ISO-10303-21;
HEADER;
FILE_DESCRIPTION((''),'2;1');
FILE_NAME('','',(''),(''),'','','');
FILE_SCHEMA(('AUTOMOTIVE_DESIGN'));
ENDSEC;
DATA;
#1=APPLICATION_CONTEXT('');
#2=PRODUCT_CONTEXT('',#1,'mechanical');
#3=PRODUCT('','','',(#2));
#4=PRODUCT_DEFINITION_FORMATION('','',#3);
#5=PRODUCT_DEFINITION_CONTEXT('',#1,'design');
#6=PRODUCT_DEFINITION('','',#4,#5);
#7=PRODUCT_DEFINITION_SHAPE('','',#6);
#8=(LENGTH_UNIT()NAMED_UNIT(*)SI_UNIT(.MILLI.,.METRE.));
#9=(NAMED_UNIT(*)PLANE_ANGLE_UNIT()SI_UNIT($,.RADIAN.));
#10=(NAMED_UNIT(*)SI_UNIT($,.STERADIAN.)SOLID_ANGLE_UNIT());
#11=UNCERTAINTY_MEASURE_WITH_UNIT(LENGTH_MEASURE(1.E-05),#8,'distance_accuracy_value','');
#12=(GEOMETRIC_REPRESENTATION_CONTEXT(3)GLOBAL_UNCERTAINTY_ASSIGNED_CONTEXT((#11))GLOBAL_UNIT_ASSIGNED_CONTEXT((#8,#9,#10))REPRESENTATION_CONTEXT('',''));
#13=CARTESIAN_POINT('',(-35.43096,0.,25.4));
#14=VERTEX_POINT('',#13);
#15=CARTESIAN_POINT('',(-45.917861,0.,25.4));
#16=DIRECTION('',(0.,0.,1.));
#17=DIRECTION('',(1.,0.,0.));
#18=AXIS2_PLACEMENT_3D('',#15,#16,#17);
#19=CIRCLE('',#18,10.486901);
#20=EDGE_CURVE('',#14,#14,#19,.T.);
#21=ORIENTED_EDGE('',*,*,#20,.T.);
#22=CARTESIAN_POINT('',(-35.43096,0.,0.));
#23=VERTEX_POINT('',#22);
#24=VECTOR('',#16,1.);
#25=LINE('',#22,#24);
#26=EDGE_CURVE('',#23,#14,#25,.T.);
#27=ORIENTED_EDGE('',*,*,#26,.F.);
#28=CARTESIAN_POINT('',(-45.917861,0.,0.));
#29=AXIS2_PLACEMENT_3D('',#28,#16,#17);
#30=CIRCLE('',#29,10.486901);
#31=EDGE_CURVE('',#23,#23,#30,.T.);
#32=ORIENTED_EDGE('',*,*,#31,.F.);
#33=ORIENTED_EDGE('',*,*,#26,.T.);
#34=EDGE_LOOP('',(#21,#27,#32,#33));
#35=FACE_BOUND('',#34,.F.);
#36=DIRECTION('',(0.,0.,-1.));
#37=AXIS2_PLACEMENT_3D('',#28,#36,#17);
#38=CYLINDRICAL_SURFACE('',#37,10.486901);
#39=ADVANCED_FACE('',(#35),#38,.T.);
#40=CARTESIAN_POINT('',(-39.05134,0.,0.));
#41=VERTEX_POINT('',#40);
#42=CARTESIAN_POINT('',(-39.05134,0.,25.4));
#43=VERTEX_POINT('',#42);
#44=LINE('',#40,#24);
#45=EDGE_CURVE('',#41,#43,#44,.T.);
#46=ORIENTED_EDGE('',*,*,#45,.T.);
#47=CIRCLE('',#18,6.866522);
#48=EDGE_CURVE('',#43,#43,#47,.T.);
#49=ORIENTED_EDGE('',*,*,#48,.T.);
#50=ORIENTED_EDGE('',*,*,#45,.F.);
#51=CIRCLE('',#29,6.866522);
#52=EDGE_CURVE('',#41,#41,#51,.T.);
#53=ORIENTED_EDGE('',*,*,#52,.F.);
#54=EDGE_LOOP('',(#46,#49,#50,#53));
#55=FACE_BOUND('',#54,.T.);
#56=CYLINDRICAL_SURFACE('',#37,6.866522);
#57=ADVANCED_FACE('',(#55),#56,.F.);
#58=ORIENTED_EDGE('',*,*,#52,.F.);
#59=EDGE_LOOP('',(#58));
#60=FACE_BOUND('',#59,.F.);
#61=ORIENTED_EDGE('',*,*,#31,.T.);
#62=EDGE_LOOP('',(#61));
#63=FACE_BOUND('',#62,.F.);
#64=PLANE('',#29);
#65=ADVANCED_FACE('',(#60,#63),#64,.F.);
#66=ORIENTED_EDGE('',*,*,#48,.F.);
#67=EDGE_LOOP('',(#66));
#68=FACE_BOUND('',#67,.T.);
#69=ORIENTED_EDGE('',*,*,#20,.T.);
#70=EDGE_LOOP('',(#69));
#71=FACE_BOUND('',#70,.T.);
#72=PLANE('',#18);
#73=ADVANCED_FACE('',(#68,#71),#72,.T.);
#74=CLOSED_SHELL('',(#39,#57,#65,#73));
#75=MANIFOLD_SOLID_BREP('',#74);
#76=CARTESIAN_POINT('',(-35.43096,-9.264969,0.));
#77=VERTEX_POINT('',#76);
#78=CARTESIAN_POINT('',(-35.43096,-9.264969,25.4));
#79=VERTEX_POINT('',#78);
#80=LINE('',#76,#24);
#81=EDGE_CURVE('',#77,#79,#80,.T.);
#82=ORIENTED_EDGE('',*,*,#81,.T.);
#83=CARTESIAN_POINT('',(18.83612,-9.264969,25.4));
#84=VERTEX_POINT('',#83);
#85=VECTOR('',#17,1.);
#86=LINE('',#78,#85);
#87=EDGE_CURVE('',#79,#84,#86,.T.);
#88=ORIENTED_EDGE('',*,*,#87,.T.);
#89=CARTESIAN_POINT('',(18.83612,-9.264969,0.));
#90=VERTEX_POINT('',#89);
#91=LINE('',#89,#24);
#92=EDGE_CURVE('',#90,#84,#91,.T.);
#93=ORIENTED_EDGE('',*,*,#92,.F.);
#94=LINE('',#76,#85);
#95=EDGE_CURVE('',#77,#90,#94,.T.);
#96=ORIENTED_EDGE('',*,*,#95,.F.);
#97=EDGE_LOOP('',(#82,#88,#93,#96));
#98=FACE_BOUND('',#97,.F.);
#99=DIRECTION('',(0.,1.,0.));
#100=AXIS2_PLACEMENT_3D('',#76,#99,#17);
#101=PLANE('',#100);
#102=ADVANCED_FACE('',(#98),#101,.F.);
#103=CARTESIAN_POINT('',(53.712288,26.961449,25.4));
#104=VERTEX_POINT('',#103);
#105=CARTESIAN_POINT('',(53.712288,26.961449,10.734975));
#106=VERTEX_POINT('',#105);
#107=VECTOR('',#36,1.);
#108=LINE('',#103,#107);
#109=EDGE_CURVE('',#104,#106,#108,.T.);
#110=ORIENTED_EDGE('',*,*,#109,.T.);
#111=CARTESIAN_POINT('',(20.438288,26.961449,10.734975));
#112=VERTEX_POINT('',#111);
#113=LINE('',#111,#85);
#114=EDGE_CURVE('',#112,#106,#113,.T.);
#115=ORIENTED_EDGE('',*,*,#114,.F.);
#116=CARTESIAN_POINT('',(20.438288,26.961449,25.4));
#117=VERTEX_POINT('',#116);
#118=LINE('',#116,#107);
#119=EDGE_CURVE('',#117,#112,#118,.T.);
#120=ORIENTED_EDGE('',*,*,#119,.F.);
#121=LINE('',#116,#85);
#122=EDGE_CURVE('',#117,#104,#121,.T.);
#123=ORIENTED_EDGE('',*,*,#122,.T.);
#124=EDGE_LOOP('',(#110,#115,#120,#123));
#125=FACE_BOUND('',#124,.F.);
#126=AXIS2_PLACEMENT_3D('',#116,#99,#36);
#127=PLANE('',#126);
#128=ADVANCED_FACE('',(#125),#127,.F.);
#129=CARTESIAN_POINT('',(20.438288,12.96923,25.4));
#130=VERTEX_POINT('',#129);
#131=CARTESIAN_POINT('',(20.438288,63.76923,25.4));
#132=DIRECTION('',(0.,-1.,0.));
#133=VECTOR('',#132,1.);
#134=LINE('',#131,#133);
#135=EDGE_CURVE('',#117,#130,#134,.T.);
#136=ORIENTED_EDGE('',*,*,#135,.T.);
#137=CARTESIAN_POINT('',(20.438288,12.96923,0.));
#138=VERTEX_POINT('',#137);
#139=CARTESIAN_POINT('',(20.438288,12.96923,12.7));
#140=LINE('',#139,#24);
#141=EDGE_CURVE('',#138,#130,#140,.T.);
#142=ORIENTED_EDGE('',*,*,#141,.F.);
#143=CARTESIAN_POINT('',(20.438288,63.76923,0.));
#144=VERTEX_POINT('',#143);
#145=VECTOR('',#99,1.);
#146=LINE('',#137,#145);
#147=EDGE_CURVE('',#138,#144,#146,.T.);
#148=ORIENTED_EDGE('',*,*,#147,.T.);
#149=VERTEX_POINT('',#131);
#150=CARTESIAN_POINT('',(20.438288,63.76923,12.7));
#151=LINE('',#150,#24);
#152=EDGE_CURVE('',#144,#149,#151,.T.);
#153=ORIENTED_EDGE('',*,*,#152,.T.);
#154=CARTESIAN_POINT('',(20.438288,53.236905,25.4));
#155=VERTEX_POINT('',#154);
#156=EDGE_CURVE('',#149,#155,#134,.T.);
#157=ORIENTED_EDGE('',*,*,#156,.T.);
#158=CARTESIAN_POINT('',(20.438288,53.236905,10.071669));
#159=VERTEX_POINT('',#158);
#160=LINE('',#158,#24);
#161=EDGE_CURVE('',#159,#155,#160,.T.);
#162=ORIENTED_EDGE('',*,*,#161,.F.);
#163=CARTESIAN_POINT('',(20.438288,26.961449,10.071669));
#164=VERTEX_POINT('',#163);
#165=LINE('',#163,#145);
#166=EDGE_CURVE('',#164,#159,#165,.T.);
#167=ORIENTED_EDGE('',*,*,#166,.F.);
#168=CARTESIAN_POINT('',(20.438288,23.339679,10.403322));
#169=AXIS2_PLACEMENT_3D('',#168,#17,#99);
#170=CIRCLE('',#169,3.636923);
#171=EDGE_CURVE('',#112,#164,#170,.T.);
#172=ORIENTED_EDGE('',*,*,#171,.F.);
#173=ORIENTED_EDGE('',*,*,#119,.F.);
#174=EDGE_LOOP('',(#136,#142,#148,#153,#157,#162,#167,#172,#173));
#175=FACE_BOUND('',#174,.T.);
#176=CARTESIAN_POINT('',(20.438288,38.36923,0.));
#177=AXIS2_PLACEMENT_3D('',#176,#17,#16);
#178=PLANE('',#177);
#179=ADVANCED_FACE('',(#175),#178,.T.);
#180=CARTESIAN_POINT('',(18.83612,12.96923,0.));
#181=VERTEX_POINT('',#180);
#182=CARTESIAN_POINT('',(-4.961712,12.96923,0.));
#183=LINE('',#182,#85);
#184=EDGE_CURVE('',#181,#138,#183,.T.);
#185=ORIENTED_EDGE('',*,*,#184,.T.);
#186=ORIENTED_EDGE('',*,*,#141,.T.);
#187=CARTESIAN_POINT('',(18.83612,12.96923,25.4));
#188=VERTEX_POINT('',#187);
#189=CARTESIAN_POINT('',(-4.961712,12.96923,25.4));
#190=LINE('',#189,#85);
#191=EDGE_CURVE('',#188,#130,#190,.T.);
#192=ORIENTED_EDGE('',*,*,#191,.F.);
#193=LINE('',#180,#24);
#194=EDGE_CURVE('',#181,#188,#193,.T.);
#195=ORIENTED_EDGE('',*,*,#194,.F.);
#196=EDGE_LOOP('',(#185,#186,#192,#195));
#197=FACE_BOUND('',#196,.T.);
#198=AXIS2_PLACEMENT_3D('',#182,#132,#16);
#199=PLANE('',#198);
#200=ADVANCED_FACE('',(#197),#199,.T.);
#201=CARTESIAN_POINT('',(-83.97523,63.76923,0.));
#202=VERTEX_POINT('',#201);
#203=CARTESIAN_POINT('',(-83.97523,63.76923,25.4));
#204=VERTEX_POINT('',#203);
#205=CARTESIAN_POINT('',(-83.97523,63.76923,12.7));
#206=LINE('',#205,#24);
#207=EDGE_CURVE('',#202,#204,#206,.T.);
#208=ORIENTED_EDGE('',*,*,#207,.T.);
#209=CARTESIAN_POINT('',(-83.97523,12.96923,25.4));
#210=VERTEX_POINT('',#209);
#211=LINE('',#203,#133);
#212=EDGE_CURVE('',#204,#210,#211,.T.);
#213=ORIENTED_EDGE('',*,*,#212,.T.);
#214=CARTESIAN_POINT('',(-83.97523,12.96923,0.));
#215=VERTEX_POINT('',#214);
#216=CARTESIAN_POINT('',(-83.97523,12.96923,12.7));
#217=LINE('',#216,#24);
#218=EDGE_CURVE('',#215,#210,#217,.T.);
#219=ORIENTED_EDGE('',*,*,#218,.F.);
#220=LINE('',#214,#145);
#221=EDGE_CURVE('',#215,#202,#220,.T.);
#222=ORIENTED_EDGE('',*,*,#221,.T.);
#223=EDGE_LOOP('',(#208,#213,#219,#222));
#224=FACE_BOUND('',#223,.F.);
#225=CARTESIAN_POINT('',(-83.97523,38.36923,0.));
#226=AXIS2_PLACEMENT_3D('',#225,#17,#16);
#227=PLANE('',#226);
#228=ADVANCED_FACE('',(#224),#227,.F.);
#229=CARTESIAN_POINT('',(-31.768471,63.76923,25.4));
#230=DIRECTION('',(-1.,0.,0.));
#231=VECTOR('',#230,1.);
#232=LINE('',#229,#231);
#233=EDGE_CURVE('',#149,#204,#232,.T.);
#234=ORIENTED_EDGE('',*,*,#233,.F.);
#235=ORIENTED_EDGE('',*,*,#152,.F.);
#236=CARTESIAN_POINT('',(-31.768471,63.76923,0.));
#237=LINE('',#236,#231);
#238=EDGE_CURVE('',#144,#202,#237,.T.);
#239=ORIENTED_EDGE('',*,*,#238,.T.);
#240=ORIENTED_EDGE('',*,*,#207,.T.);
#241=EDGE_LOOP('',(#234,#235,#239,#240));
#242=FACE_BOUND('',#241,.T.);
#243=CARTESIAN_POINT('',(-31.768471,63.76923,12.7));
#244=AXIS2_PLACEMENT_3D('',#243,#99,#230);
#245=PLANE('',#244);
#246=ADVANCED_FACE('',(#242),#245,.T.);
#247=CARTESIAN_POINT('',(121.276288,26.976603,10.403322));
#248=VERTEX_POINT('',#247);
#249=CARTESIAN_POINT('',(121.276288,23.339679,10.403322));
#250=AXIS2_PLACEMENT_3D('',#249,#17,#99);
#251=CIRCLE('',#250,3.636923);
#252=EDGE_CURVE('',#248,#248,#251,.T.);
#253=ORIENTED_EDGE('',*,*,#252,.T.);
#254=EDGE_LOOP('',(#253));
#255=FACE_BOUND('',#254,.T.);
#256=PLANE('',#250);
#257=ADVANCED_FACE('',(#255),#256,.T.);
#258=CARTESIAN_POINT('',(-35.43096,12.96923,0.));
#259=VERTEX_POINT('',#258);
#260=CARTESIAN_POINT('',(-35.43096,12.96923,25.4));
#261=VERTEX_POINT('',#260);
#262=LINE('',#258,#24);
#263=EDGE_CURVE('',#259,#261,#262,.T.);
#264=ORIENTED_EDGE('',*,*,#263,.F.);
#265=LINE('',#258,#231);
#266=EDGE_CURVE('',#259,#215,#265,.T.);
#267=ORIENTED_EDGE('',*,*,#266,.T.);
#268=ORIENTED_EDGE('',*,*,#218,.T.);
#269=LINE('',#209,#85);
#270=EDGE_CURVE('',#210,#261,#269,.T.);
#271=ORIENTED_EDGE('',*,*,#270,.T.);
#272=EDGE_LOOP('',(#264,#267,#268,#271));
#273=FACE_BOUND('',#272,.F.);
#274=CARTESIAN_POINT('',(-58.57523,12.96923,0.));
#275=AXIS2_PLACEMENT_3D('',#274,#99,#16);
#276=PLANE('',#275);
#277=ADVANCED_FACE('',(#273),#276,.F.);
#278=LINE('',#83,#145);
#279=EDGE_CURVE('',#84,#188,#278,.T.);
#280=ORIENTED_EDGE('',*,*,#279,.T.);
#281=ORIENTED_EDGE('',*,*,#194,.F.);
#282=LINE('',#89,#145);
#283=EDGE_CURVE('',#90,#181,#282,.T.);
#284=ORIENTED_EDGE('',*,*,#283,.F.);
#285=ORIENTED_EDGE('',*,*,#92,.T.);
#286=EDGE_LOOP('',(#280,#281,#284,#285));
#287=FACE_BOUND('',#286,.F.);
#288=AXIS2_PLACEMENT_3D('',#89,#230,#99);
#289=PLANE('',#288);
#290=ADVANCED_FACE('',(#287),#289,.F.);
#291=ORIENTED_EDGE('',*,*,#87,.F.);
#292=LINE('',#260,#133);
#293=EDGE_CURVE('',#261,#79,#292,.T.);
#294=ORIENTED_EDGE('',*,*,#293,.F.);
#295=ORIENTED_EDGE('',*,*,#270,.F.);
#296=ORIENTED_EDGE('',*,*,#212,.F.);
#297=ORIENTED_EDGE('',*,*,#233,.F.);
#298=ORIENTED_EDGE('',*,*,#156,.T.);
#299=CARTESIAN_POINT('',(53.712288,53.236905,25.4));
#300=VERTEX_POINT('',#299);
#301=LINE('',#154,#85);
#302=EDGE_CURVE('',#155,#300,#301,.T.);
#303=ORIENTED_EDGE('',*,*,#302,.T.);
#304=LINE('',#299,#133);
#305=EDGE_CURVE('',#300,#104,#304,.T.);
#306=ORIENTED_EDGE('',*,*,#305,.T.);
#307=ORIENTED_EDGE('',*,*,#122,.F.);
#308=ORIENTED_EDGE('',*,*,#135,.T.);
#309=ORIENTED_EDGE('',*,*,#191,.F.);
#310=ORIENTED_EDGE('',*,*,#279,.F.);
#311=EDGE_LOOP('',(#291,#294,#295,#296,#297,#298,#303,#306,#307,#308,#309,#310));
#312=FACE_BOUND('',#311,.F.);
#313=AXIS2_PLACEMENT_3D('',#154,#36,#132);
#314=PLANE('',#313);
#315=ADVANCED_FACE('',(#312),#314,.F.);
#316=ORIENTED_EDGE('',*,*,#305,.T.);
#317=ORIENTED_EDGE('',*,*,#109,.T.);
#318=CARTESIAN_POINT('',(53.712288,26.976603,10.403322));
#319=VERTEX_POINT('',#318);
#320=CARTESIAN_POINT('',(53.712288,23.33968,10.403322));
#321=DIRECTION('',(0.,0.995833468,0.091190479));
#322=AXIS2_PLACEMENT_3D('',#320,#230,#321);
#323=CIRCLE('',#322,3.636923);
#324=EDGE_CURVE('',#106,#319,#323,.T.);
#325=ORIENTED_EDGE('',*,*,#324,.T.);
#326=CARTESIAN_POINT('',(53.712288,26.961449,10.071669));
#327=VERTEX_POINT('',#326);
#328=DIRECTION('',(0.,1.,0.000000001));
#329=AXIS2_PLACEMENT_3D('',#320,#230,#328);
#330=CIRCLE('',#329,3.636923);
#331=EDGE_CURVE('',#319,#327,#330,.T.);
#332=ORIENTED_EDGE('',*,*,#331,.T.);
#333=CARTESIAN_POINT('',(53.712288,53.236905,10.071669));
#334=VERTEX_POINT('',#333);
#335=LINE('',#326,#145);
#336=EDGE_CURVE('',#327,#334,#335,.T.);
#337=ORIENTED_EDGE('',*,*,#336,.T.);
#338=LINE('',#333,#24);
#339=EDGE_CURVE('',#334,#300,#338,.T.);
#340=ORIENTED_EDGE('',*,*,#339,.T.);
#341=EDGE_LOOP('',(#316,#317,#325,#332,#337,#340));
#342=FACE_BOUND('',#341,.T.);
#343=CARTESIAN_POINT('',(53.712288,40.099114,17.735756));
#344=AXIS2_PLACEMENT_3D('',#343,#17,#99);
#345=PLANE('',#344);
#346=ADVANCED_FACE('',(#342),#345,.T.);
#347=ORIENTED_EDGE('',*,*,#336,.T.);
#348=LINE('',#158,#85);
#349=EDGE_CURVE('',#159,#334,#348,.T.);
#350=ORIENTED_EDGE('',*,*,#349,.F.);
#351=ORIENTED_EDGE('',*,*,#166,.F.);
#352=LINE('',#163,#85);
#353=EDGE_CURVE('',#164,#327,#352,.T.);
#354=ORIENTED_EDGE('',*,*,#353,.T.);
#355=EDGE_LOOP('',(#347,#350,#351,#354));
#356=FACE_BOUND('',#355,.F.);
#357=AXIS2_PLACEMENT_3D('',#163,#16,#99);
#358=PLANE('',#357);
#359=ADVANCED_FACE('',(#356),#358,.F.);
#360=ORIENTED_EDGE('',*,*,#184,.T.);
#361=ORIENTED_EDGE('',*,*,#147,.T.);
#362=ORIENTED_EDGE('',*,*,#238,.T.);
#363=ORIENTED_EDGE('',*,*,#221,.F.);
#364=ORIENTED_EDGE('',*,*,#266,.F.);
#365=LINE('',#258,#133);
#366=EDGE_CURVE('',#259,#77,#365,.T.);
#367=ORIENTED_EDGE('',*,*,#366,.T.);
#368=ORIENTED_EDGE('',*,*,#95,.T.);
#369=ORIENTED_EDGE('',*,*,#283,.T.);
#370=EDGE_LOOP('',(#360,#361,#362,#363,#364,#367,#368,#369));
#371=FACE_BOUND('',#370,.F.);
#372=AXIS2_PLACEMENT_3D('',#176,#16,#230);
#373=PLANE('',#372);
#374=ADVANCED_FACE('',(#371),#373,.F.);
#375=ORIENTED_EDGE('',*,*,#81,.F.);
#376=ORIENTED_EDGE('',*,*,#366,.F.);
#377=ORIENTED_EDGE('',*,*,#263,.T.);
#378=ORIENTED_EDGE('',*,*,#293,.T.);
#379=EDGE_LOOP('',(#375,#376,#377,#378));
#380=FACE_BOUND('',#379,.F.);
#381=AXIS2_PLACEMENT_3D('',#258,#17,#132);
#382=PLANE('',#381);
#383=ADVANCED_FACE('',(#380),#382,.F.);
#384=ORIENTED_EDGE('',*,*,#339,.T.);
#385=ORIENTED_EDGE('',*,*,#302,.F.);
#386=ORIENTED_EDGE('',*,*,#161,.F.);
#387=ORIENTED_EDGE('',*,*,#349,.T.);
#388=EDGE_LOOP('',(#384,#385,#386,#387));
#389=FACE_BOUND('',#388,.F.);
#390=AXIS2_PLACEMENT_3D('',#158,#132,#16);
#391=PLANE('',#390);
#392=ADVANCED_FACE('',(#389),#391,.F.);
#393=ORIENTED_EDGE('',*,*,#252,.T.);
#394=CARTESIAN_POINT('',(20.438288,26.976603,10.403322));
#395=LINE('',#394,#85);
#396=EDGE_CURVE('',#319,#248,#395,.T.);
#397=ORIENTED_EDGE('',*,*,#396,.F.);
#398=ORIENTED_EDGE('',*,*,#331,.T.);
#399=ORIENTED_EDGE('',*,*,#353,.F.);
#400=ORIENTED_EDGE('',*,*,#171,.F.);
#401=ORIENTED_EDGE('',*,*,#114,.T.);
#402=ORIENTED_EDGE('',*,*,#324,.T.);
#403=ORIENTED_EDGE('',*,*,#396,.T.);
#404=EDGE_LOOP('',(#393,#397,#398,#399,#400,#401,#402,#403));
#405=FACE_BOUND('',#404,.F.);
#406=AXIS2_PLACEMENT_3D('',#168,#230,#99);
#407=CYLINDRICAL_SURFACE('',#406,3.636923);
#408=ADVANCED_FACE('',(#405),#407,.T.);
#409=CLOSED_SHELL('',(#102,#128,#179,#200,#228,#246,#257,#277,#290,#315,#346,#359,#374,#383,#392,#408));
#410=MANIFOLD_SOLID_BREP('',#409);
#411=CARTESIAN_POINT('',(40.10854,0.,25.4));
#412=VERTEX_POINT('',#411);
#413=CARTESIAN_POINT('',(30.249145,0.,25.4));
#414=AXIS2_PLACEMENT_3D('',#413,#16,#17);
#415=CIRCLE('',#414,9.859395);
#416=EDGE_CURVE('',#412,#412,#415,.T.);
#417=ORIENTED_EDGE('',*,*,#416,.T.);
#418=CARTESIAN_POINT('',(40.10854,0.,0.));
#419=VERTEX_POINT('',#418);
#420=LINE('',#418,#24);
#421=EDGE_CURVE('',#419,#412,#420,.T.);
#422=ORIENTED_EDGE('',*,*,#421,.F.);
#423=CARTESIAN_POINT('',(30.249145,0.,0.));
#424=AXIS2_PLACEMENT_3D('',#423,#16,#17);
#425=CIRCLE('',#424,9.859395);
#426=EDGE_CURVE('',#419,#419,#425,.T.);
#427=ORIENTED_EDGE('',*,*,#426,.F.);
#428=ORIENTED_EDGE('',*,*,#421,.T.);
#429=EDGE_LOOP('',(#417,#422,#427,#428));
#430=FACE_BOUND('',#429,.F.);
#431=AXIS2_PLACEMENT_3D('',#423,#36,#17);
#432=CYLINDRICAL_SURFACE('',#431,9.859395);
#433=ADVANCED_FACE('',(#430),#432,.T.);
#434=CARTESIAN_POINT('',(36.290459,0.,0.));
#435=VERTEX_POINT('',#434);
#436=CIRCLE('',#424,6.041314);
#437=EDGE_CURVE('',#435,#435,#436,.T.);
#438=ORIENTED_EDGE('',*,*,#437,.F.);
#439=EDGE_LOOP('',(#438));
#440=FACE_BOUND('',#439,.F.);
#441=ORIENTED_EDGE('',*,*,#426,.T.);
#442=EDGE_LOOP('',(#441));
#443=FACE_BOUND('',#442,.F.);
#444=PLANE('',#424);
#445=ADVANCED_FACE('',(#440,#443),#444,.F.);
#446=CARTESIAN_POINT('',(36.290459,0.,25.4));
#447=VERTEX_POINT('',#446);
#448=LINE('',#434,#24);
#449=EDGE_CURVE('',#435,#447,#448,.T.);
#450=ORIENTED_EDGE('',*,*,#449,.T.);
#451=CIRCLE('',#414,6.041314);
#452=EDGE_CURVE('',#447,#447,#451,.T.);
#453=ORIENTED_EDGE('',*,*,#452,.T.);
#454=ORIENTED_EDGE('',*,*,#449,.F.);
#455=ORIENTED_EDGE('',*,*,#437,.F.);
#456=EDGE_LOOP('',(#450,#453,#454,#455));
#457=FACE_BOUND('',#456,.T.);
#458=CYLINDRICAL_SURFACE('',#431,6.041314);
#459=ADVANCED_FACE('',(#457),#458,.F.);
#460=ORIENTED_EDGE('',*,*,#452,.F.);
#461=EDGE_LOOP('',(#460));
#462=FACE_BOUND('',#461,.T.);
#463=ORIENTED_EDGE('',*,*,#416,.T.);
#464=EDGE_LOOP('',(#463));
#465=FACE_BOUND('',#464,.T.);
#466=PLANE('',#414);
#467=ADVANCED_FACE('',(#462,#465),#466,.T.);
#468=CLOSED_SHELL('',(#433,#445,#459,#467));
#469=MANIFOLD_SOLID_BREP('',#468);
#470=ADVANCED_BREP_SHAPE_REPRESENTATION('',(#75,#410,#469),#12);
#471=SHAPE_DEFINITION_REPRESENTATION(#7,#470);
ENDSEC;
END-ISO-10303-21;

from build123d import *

# Parameters (mm, degrees)
F1_DEPTH  = 25.4
F0_R      = 9.8593951513
F0_R_2    = 6.0413144076
F0_R_3    = 10.4869008064
F0_R_4    = 6.8665215602
F2_W      = 28.213518206
F2_H      = 25.4
F3_DEPTH  = 25.4
F4_DEPTH  = 25.4
F5_R      = 3.6369232823
F6_DEPTH  = 100.838
F7_W      = 25.4
F7_H      = 25.4
F8_DEPTH  = 25.4
F9_DEPTH  = 25.4
F10_W     = 104.413518206
F10_H     = 25.4
F11_DEPTH = 25.4
F13_DEPTH = 33.274


with BuildPart() as f1:
    # F0 (on Top) → F1 (new body)
    with BuildSketch(Plane.XY):
        Polygon((18.8361201435, 12.9692303017), (-35.4309603572, 12.9692303017), (-35.4309603572, 0), (-35.4309603572, -9.264969267), (18.8361201435, -9.264969267), align=None)
    extrude(amount=F1_DEPTH)

    # F2 (on face) → F3 (join)
    with BuildSketch(Plane(origin=(0, 12.9692303017, 0), x_dir=(-1, 0, 0), z_dir=(0, 1, 0))):
        with Locations((19.0684709232, 12.7)):
            Rectangle(F2_W, F2_H)
    extrude(amount=F3_DEPTH)

    # F4 (add): a face of the model
    f4_faces = [f1.faces().sort_by_distance(p)[0] for p in [
        (-4.9617118202, 25.6692303017, 12.7),
    ]]
    extrude(f4_faces, amount=F4_DEPTH)

    # F5 (on face) → F6 (join)
    with BuildSketch(Plane.YZ.offset(20.4382881798)):
        with Locations((23.3396794647, 10.4033220559)):
            Circle(F5_R)
    extrude(amount=F6_DEPTH)

    # F7 (on face) → F8 (join)
    with BuildSketch(Plane(origin=(-33.1752300262, 0, 0), x_dir=(0, -1, 0), z_dir=(-1, 0, 0))):
        with Locations((-25.6692303017, 12.7)):
            Rectangle(F7_W, F7_H)
    extrude(amount=F8_DEPTH)

    # F9 (add): a face of the model
    f9_faces = [f1.faces().sort_by_distance(p)[0] for p in [
        (-58.5752300262, 25.6692303017, 12.7),
    ]]
    extrude(f9_faces, amount=F9_DEPTH)

    # F10 (on face) → F11 (join)
    with BuildSketch(Plane(origin=(0, 38.3692303017, 0), x_dir=(-1, 0, 0), z_dir=(0, 1, 0))):
        with Locations((31.7684709232, 12.7)):
            Rectangle(F10_W, F10_H)
    extrude(amount=F11_DEPTH)

    # F12 (on face) → F13 (join)
    with BuildSketch(Plane.YZ.offset(20.4382881798)):
        with BuildLine():
            Line((53.2369054854, 10.0716692831), (53.2369054854, 25.4))
            Line((53.2369054854, 25.4), (26.9614493911, 25.4))
            Line((26.9614493911, 25.4), (26.9614493911, 10.7349748288))
            ThreePointArc((26.9614493911, 10.7349748288), (26.972812433, 10.5693214429), (26.976602747, 10.4033220559))
            ThreePointArc((26.976602747, 10.4033220559), (26.972812433, 10.2373226689), (26.9614493911, 10.0716692831))
            Line((26.9614493911, 10.0716692831), (53.2369054854, 10.0716692831))
        make_face()
    extrude(amount=F13_DEPTH)


with BuildPart() as f1b:
    # F0 (on Top) → F1, piece 2 (new body)
    with BuildSketch(Plane.XY):
        with Locations((30.249144882, 0)):
            Circle(F0_R)
        with Locations((30.249144882, 0)):
            Circle(F0_R_2, mode=Mode.SUBTRACT)
    extrude(amount=F1_DEPTH)


with BuildPart() as f1c:
    # F0 (on Top) → F1, piece 3 (new body)
    with BuildSketch(Plane.XY):
        with Locations((-45.9178611636, 0)):
            Circle(F0_R_3)
        with Locations((-45.9178611636, 0)):
            Circle(F0_R_4, mode=Mode.SUBTRACT)
    extrude(amount=F1_DEPTH)


solid = Compound([f1.part, f1b.part, f1c.part])
